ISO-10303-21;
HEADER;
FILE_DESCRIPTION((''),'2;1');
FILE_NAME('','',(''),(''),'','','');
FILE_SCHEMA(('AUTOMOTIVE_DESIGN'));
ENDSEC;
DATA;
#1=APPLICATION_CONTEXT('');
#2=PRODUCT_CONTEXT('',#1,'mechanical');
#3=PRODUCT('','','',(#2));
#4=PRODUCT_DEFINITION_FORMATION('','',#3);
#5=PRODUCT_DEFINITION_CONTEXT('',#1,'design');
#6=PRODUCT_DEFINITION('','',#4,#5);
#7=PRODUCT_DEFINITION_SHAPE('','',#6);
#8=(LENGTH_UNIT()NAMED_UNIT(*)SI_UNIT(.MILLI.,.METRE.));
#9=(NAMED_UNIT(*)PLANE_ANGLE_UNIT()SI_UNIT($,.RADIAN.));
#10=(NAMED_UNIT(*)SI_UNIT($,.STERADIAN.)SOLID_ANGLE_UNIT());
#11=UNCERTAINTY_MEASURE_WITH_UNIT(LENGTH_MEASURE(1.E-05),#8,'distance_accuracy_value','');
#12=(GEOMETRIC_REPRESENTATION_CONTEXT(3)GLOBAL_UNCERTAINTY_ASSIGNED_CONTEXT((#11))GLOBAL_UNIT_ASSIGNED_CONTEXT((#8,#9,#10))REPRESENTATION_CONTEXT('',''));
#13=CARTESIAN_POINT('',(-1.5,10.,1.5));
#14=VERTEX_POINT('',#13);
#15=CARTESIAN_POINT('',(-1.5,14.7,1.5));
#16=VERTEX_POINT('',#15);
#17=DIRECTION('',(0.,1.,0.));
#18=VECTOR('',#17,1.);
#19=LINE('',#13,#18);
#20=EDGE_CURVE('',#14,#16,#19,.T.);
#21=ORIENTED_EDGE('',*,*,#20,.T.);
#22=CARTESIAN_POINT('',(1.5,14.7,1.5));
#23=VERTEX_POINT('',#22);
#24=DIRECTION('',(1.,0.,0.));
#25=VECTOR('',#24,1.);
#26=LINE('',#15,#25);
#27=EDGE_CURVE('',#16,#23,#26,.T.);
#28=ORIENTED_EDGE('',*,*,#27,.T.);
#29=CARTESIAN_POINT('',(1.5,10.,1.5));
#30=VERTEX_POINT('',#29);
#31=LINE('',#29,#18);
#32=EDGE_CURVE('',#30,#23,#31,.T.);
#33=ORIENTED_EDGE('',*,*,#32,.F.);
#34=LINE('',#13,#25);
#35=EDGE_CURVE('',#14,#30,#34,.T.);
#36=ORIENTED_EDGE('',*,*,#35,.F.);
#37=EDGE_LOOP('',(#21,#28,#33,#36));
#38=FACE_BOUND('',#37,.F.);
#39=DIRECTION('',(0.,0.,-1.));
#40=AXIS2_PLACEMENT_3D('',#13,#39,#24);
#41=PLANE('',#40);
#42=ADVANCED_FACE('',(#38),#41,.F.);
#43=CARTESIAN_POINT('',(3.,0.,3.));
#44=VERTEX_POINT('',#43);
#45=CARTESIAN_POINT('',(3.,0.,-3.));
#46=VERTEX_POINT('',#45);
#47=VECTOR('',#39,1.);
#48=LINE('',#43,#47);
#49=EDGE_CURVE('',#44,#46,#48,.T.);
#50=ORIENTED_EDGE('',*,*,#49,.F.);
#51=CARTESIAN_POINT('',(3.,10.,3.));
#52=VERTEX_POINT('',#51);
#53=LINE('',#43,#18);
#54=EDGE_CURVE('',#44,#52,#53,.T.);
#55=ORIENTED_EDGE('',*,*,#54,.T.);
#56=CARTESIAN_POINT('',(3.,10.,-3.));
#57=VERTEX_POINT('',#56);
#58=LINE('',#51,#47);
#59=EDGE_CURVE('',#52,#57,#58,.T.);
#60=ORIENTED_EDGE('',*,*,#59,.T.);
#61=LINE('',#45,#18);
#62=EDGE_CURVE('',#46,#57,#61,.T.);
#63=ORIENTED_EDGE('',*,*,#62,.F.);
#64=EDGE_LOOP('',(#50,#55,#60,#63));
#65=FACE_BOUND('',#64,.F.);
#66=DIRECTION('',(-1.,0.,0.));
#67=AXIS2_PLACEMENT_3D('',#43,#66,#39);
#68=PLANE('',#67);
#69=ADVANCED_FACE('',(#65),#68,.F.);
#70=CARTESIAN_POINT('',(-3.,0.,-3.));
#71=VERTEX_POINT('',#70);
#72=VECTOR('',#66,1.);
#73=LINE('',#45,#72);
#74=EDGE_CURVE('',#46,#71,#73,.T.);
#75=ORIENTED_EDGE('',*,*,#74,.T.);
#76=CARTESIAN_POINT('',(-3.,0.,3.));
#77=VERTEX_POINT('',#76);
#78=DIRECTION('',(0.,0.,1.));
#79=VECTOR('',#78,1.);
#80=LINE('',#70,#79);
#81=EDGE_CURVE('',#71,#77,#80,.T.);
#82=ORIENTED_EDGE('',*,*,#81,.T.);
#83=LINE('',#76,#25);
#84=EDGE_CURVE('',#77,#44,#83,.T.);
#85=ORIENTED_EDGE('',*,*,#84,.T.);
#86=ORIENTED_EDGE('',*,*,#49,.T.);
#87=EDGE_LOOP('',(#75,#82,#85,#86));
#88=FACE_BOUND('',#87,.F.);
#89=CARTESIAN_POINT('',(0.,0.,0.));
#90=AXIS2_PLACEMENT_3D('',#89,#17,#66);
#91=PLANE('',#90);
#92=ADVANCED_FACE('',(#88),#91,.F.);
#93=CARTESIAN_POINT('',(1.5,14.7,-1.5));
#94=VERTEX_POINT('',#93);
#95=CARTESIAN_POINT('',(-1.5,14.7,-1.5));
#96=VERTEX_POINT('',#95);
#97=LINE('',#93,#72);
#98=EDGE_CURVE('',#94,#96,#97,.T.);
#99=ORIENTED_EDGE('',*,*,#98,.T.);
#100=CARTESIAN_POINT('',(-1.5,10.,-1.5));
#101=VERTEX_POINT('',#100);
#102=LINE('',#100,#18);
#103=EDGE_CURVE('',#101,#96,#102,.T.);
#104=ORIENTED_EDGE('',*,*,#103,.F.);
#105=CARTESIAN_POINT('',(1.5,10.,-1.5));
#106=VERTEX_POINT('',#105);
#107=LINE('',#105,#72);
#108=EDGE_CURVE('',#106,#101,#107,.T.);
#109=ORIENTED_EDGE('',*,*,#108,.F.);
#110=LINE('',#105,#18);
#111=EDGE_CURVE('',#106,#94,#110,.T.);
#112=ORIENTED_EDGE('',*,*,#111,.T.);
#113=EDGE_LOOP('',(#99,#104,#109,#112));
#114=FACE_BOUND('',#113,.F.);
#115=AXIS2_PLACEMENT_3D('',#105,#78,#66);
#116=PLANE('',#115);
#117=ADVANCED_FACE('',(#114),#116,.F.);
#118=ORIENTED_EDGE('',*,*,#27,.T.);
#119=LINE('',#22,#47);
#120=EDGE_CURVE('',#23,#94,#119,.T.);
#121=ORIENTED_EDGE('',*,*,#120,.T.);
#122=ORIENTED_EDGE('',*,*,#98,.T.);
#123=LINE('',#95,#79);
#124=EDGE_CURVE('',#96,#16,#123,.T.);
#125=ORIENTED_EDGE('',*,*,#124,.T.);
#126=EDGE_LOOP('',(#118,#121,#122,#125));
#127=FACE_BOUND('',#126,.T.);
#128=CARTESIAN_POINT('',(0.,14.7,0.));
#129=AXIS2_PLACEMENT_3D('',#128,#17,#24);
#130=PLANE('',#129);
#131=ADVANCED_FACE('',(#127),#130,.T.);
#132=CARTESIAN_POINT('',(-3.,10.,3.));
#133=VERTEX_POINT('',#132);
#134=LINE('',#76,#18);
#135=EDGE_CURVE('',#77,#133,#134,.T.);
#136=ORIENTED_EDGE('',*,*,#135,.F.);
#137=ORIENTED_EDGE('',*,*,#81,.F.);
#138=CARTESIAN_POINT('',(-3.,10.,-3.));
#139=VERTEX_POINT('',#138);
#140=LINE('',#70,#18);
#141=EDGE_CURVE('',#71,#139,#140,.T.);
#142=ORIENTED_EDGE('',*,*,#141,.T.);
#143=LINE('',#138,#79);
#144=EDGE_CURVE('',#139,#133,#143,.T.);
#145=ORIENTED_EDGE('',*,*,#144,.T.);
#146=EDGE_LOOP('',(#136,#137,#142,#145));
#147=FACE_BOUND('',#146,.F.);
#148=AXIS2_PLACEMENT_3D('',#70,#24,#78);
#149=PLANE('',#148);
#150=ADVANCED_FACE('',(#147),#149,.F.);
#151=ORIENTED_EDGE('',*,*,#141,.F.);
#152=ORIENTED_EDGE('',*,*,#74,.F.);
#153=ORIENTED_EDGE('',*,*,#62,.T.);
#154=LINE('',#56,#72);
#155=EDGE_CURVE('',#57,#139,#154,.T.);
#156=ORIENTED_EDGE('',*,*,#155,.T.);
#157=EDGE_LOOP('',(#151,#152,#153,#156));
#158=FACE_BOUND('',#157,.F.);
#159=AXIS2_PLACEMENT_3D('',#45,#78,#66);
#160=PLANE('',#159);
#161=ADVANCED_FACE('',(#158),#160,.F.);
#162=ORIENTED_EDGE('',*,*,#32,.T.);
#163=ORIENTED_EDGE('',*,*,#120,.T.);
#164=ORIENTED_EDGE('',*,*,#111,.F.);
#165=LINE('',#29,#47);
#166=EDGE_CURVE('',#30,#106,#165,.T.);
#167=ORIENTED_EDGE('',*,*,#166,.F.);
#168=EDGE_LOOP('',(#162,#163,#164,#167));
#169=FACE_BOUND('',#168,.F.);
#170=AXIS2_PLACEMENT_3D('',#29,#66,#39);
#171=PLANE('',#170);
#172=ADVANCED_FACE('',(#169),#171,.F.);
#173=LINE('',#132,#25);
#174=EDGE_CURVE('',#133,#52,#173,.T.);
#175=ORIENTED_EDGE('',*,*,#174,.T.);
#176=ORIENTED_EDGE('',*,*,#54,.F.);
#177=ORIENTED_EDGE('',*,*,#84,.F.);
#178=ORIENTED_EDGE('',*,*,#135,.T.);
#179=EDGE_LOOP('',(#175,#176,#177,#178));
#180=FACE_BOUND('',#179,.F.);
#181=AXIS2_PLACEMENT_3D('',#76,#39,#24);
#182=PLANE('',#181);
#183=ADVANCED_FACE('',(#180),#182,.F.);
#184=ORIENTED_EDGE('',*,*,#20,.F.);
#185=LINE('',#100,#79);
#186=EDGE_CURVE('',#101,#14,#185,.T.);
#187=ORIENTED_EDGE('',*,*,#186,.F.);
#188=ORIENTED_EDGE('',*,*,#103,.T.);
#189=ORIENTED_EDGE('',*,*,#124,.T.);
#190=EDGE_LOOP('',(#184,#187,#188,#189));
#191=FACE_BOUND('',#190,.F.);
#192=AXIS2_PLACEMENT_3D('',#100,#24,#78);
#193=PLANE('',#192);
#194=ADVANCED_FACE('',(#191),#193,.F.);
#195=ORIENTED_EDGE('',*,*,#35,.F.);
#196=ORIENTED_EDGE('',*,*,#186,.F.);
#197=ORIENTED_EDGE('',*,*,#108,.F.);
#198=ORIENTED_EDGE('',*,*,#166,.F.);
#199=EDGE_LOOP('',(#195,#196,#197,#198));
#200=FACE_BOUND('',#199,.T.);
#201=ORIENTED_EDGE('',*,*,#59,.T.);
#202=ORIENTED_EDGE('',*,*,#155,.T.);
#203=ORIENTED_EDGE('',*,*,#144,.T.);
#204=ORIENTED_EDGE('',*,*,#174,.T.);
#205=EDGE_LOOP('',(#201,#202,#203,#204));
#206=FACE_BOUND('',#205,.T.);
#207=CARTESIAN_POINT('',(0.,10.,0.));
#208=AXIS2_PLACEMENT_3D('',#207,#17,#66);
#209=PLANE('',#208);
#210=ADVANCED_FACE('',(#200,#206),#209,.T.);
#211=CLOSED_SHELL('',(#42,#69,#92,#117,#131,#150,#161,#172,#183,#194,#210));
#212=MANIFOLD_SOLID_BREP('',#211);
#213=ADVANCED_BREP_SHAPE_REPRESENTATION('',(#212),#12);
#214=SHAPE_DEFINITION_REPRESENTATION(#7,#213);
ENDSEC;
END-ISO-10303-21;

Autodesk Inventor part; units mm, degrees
ref_plane "YZ Plane" through (0, 0, 0) normal (1, 0, 0) x (0, 1, 0)
ref_plane "XZ Plane" through (0, 0, 0) normal (0, 1, 0) x (-1, 0, 0)
ref_plane "XY Plane" through (0, 0, 0) normal (0, 0, 1) x (1, 0, 0)
sketch "Sketch1" plane through (0, 0, 0) normal (0, 1, 0) x (-1, 0, 0)
  line L0 (-3, -3) -> (3, -3)
  line L1 (3, -3) -> (3, 3)
  line L2 (3, 3) -> (-3, 3)
  line L3 (-3, 3) -> (-3, -3)
  line L4 (-3, -3) -> (3, 3) construction
  line L5 (3, -3) -> (-3, 3) construction
  point P0 (0, 0)
  dimension "d0" = 6
  dimension "d1" = 6
extrude "Extrusion1" add sketch "Sketch1" along normal blind 10
sketch "Sketch2" plane through (0, 10, 0) normal (0, 1, 0) x (1, 0, 0)
  line L0 (1.5, 1.5) -> (-1.5, 1.5)
  line L1 (-1.5, 1.5) -> (-1.5, -1.5)
  line L2 (-1.5, -1.5) -> (1.5, -1.5)
  line L3 (1.5, -1.5) -> (1.5, 1.5)
  line L4 (1.5, 1.5) -> (-1.5, -1.5) construction
  line L5 (-1.5, 1.5) -> (1.5, -1.5) construction
  point P0 (0, 0)
  dimension "d4" = 3
  dimension "d5" = 3
extrude "Extrusion2" add sketch "Sketch2" along normal blind 4.7
properties part number "brain_holder"
